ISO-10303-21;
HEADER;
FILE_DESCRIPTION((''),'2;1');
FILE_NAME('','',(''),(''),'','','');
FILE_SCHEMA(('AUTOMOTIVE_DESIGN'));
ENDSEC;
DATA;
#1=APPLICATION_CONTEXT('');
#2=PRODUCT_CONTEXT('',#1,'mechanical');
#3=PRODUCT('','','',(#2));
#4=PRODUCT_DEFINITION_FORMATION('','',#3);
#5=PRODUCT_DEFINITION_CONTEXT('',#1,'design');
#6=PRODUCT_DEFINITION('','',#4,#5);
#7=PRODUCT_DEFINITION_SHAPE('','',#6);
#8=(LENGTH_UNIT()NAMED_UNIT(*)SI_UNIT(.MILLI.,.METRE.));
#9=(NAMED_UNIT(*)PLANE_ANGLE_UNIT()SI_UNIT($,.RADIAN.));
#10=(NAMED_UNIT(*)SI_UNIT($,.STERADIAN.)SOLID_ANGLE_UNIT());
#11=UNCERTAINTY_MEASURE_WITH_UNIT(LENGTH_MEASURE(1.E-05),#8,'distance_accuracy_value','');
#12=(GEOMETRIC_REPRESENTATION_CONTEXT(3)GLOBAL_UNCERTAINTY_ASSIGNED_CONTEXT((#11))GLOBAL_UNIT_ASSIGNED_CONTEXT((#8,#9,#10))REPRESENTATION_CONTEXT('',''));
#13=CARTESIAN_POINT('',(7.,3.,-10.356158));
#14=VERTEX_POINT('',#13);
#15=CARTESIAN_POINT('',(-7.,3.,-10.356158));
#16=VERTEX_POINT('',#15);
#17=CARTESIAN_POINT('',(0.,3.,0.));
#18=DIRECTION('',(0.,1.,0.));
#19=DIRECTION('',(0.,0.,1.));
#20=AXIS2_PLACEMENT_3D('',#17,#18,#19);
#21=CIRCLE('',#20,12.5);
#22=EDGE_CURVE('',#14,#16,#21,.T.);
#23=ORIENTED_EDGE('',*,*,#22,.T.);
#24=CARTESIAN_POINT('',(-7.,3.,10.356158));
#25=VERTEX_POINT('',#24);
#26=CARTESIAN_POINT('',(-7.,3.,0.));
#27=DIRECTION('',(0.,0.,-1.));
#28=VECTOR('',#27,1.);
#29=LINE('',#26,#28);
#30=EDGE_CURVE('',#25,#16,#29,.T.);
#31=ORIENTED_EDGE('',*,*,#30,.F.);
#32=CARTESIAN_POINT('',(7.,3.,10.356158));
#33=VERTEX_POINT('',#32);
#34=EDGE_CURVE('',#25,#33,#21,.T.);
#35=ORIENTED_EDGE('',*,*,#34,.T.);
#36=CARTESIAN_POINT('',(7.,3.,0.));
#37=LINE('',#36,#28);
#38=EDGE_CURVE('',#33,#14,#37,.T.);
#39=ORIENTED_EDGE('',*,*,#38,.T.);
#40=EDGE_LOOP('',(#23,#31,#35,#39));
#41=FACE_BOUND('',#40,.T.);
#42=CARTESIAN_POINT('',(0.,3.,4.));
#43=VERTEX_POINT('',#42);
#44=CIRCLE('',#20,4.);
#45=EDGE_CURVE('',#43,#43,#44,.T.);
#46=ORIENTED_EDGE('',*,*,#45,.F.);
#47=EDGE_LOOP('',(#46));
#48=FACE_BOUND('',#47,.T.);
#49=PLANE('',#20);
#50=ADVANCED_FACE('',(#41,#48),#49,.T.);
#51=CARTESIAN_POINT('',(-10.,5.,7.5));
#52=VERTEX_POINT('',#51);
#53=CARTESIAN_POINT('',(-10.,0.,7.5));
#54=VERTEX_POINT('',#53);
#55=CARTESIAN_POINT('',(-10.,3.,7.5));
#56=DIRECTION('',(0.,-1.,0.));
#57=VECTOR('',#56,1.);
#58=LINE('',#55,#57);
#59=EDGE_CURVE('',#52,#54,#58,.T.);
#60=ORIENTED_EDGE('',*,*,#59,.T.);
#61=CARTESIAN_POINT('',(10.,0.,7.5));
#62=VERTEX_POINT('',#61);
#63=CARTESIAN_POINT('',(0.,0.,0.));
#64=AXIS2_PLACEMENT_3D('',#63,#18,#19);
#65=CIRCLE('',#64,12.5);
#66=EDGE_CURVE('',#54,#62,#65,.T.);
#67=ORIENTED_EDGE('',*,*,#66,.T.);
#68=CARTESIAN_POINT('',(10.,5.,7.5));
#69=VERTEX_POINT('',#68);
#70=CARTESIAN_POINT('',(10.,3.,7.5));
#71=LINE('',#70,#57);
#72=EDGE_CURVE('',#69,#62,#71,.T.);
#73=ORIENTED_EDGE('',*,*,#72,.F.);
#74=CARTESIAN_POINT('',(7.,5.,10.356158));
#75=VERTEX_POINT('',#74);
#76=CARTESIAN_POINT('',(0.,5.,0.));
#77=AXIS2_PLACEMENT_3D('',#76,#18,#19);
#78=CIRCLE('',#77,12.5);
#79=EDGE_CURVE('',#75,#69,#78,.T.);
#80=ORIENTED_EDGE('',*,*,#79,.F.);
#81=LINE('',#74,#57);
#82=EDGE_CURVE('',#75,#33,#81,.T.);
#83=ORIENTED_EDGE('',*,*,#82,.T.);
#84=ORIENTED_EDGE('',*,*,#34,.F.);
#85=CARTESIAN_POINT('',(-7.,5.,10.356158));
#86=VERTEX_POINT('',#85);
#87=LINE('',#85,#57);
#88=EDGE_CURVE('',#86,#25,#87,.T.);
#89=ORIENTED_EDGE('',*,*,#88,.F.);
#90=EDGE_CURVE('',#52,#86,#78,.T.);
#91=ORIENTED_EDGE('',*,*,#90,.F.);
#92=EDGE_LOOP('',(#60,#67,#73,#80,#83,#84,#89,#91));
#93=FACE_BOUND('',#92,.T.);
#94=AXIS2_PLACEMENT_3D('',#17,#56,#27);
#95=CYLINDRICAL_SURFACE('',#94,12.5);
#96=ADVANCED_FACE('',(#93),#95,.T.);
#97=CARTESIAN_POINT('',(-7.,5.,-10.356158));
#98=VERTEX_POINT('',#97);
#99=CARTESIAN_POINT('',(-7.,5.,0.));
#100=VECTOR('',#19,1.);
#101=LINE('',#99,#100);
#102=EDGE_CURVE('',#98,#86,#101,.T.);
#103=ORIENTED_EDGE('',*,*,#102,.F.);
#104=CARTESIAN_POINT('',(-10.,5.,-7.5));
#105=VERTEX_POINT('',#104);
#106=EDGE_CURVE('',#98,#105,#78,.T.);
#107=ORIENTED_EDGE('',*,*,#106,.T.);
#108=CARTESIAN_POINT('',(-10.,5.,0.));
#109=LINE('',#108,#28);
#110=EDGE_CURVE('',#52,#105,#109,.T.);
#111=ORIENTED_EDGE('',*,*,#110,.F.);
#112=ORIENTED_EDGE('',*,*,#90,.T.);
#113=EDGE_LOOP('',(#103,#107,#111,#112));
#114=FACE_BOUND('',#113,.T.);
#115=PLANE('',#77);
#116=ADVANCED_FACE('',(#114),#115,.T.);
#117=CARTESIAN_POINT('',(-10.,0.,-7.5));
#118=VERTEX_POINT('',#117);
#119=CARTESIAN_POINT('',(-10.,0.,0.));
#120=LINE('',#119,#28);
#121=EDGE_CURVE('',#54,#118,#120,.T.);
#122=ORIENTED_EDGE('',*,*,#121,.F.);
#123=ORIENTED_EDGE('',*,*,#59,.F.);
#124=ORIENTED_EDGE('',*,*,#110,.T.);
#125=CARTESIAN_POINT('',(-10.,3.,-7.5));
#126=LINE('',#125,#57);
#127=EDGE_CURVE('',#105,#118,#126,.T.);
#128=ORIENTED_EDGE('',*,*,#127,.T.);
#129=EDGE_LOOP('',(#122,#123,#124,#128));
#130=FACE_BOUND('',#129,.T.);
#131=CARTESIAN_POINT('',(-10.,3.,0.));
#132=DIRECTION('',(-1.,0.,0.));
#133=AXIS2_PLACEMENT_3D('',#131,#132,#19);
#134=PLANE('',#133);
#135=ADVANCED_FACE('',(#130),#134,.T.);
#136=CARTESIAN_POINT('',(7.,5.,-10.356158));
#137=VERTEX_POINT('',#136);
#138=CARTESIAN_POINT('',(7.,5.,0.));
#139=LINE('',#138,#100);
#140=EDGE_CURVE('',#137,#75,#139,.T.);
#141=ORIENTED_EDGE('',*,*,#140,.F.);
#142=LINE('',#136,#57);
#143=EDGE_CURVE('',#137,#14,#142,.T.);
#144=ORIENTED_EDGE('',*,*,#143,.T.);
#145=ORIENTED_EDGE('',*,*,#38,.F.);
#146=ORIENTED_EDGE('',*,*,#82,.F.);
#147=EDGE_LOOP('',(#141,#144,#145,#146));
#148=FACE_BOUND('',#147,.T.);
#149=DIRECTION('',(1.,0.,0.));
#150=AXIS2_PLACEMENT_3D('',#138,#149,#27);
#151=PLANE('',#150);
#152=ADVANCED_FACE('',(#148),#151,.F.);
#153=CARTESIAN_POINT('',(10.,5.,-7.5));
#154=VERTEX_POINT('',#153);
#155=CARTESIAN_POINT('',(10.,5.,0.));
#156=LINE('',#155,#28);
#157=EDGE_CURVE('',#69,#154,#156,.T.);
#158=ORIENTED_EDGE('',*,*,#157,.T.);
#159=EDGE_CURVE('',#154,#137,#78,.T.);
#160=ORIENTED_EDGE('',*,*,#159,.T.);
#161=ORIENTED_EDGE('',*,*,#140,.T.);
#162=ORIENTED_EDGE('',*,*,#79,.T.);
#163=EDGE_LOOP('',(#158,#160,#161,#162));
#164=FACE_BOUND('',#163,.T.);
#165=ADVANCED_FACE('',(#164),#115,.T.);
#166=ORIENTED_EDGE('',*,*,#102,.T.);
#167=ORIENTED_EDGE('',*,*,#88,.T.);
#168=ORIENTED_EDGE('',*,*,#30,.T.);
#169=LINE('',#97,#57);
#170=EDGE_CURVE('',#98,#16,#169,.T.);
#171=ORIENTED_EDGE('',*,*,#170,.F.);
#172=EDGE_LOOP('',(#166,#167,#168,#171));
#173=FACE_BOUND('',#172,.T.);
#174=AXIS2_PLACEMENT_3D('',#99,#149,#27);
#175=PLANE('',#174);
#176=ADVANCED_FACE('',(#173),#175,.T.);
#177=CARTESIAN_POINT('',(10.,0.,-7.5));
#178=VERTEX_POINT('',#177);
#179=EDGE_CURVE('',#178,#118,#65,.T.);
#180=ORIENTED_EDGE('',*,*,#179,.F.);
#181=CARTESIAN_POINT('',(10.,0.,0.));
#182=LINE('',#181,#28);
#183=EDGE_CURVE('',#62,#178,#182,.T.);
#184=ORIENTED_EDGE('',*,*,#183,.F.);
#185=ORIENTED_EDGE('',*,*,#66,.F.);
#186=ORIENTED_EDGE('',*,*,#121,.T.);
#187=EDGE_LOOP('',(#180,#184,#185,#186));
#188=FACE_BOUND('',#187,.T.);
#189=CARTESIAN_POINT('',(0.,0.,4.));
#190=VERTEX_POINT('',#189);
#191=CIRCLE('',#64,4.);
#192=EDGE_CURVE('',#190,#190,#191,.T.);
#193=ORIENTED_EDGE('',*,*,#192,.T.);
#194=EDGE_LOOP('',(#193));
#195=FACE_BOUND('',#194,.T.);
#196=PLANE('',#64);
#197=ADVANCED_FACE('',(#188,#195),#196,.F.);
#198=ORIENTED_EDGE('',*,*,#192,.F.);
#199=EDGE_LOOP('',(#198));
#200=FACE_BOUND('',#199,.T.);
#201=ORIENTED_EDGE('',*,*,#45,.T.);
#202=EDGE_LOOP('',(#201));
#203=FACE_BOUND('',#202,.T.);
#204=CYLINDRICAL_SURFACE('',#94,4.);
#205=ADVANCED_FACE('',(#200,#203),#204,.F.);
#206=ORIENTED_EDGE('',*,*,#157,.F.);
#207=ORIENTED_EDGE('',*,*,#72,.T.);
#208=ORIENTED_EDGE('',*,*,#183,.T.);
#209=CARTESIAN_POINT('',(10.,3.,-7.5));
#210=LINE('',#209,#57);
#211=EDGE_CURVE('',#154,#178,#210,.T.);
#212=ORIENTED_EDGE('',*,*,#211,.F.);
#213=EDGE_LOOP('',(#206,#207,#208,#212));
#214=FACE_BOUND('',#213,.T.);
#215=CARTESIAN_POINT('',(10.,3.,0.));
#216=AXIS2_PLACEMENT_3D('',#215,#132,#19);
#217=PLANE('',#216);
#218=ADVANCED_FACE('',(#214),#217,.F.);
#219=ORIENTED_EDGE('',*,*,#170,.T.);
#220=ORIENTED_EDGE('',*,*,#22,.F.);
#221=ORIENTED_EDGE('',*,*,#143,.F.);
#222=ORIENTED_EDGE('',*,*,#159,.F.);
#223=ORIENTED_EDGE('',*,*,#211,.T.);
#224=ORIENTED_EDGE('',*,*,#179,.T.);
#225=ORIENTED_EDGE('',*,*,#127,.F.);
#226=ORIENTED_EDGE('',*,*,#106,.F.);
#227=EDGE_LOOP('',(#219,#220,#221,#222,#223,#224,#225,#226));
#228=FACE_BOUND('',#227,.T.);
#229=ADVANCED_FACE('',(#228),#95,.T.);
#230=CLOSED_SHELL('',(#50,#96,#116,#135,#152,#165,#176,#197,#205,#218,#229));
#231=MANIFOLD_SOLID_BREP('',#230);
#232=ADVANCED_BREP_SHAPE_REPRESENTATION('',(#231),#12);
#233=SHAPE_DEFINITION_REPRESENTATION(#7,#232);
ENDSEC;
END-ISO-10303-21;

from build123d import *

# Parameters (mm, degrees)
SKETCH1_R           = 4
BOSS_EXTRUDE1_DEPTH = 3
BOSS_EXTRUDE2_DEPTH = 5


with BuildPart() as part:
    # Sketch1 → Boss-Extrude1 (new body)
    with BuildSketch(Plane(origin=(0, 0, 0), x_dir=(1, 0, 0), z_dir=(0, 1, 0))):
        with BuildLine():
            Line((10, -7.5), (10, 7.5))
            ThreePointArc((10, 7.5), (0, 12.5), (-10, 7.5))
            Line((-10, 7.5), (-10, -7.5))
            ThreePointArc((-10, -7.5), (0, -12.5), (10, -7.5))
        make_face()
        Circle(SKETCH1_R, mode=Mode.SUBTRACT)
    extrude(amount=BOSS_EXTRUDE1_DEPTH)

    # Sketch1<3> → Boss-Extrude2 (add)
    with BuildSketch(Plane(origin=(0, 0, 0), x_dir=(1, 0, 0), z_dir=(0, 1, 0))):
        with BuildLine():
            Line((-10, 7.5), (-10, -7.5))
            ThreePointArc((-10, -7.5), (-8.619130411, -9.053208876), (-7, -10.356157589))
            Line((-7, -10.356157589), (-7, 10.356157589))
            ThreePointArc((-7, 10.356157589), (-8.619130411, 9.053208876), (-10, 7.5))
        make_face()
        with BuildLine():
            Line((7, 10.356157589), (7, -10.356157589))
            ThreePointArc((7, -10.356157589), (8.619130411, -9.053208876), (10, -7.5))
            Line((10, -7.5), (10, 7.5))
            ThreePointArc((10, 7.5), (8.619130411, 9.053208876), (7, 10.356157589))
        make_face()
    extrude(amount=BOSS_EXTRUDE2_DEPTH)


solid = part.part
